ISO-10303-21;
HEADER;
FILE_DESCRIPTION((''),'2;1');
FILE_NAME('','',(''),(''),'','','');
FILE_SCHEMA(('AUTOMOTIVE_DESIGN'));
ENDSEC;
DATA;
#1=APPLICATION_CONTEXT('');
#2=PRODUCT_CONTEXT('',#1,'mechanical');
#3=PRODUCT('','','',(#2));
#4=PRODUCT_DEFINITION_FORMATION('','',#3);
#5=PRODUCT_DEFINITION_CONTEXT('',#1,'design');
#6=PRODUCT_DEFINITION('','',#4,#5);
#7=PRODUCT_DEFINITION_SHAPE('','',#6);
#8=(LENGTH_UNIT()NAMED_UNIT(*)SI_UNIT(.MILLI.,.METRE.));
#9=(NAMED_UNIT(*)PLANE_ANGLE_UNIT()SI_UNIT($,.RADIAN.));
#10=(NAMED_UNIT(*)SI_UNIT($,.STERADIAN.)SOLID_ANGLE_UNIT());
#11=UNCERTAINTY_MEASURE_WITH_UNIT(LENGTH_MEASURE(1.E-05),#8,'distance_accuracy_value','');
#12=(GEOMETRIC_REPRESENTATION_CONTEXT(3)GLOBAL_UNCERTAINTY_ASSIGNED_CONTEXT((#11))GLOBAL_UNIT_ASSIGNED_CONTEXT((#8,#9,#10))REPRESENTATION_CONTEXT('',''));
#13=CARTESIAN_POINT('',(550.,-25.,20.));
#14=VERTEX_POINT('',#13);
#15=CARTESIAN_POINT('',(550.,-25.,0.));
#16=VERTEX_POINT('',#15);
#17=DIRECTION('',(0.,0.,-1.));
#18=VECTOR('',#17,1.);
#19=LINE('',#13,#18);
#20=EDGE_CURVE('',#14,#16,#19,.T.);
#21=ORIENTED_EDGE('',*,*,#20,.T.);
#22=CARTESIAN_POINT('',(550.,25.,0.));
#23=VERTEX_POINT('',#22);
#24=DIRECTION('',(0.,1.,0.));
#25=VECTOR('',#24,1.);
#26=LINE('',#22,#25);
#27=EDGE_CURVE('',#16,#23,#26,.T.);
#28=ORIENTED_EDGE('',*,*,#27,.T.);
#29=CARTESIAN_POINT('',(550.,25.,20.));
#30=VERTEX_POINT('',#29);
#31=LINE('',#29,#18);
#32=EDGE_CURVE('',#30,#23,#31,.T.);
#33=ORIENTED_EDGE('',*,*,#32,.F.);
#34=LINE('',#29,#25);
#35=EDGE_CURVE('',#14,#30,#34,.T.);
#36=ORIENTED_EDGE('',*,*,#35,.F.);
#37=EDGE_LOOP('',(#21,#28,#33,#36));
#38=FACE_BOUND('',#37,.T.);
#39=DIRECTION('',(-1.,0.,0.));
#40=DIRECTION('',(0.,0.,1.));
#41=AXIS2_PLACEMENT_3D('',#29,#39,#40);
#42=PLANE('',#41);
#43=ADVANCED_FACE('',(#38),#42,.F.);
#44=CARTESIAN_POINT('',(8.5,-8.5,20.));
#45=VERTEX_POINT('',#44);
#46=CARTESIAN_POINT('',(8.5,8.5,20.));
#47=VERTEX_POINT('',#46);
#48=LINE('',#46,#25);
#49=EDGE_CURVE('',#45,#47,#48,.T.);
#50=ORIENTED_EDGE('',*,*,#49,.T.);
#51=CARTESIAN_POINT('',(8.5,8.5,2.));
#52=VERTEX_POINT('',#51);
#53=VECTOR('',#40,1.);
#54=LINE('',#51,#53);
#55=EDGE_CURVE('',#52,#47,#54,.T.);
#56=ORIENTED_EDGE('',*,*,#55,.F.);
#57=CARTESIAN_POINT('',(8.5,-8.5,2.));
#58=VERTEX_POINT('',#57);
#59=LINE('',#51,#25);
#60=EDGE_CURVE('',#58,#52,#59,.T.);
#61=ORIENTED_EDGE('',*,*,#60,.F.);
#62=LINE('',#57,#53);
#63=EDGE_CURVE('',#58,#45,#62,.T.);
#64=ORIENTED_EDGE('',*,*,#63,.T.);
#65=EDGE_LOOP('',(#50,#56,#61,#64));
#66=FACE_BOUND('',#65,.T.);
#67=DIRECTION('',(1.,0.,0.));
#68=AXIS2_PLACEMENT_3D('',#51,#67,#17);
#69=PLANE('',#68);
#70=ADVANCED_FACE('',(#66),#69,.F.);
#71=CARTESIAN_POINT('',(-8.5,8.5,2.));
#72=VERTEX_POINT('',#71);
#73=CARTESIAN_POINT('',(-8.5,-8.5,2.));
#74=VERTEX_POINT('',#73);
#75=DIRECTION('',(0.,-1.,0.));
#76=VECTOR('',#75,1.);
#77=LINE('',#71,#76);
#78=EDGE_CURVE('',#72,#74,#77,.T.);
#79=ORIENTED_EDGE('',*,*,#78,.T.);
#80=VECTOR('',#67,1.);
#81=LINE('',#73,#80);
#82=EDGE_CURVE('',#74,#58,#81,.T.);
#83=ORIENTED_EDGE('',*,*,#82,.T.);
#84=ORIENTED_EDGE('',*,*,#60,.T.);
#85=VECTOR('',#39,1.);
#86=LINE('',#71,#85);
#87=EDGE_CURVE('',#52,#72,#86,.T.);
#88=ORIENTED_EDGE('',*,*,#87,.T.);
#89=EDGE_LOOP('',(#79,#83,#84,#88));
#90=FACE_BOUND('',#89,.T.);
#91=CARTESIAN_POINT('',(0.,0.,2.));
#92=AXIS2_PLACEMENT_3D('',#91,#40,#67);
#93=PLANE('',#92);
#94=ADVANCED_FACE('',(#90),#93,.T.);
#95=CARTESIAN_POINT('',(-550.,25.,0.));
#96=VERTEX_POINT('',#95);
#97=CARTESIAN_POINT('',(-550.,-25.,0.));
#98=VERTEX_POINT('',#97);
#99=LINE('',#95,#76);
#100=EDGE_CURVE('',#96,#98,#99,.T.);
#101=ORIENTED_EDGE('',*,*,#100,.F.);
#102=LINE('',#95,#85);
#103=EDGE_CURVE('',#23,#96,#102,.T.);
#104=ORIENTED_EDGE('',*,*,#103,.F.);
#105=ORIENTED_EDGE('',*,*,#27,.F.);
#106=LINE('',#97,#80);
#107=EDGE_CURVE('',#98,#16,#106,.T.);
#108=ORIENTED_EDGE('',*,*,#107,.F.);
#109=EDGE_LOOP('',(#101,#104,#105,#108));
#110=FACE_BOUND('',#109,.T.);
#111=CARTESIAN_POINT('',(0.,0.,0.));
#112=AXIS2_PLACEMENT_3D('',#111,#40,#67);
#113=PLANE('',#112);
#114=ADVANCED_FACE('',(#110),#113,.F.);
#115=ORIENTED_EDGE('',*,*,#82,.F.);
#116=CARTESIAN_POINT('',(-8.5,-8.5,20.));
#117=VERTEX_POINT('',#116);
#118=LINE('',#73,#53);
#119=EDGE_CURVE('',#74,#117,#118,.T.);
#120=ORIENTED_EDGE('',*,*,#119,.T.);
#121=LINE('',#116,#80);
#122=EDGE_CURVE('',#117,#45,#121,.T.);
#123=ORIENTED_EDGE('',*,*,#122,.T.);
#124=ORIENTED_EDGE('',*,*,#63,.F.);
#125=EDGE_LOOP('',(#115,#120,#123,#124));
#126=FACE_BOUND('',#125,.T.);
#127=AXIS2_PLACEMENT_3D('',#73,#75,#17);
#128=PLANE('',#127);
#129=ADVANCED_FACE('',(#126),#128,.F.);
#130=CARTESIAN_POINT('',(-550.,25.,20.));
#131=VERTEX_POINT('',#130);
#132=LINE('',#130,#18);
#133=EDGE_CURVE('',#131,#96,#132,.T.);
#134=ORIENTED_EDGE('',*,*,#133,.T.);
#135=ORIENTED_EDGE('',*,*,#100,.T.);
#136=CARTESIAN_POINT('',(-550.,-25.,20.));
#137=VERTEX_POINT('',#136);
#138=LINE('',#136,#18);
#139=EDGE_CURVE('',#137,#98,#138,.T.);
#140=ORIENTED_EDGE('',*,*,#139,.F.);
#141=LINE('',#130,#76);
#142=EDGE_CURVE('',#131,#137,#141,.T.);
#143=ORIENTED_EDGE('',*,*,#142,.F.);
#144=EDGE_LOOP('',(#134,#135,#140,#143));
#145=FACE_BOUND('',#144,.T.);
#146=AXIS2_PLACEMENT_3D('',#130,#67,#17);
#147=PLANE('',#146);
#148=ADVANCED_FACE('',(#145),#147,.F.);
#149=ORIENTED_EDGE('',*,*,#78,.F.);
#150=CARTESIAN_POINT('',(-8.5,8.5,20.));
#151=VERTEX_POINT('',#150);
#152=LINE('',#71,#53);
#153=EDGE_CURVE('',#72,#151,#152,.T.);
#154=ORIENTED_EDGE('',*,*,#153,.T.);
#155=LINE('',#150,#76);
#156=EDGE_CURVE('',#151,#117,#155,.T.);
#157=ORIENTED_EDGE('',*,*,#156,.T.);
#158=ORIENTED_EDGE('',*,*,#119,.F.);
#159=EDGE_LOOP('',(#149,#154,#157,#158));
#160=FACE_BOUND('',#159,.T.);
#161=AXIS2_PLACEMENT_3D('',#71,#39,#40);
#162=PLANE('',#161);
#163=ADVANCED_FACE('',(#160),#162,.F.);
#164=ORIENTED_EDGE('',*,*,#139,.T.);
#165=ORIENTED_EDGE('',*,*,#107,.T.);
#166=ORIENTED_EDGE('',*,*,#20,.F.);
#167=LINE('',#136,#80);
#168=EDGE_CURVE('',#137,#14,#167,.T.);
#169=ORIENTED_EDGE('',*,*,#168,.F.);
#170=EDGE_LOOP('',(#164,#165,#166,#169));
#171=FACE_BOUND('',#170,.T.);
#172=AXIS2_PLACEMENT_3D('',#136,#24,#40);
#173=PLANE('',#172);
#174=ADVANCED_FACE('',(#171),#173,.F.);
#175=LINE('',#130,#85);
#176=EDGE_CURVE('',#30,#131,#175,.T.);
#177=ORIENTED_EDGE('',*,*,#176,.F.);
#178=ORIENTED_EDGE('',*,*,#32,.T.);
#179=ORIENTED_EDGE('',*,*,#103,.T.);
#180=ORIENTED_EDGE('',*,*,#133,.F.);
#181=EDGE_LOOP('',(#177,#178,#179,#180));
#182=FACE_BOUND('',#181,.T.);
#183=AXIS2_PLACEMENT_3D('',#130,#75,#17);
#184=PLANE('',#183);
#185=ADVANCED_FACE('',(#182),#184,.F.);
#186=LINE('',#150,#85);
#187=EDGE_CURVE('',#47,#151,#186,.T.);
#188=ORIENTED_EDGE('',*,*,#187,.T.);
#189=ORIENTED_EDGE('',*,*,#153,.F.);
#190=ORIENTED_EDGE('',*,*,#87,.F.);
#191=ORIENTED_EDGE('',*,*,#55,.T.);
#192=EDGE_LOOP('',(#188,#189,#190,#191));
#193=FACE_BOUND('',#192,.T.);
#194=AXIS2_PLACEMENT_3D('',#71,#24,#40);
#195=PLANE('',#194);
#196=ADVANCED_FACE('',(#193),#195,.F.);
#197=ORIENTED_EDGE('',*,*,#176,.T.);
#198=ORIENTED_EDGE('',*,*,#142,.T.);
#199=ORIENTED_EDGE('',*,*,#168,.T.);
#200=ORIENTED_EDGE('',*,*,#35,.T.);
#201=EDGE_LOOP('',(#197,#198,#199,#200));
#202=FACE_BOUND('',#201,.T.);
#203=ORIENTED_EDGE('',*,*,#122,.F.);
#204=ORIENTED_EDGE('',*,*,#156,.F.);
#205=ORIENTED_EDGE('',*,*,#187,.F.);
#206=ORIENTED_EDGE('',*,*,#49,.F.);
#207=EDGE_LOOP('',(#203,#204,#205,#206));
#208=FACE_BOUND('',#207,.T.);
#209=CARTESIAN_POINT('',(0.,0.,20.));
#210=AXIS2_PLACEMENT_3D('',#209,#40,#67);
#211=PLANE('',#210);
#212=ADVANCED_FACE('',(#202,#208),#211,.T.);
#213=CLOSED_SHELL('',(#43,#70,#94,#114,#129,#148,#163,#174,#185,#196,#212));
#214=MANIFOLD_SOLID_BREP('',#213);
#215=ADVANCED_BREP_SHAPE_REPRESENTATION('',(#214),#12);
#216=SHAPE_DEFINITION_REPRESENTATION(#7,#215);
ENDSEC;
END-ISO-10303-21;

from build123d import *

# Parameters (mm, degrees)
SKETCH_1_W          = 1100
SKETCH_1_H          = 50
EXTRUDE_1_DEPTH     = 20
SKETCH_2_W          = 17
SKETCH_2_H          = 17
CUT_EXTRUDE_1_DEPTH = 18


with BuildPart() as part:
    # 草图1 → 凸台-拉伸1 (new body)
    with BuildSketch(Plane.XY):
        Rectangle(SKETCH_1_W, SKETCH_1_H)
    extrude(amount=EXTRUDE_1_DEPTH)

    # 草图2 → 切除-拉伸1 (cut)
    with BuildSketch(Plane.XY.offset(20)):
        Rectangle(SKETCH_2_W, SKETCH_2_H)
    extrude(amount=-CUT_EXTRUDE_1_DEPTH, mode=Mode.SUBTRACT)


solid = part.part
